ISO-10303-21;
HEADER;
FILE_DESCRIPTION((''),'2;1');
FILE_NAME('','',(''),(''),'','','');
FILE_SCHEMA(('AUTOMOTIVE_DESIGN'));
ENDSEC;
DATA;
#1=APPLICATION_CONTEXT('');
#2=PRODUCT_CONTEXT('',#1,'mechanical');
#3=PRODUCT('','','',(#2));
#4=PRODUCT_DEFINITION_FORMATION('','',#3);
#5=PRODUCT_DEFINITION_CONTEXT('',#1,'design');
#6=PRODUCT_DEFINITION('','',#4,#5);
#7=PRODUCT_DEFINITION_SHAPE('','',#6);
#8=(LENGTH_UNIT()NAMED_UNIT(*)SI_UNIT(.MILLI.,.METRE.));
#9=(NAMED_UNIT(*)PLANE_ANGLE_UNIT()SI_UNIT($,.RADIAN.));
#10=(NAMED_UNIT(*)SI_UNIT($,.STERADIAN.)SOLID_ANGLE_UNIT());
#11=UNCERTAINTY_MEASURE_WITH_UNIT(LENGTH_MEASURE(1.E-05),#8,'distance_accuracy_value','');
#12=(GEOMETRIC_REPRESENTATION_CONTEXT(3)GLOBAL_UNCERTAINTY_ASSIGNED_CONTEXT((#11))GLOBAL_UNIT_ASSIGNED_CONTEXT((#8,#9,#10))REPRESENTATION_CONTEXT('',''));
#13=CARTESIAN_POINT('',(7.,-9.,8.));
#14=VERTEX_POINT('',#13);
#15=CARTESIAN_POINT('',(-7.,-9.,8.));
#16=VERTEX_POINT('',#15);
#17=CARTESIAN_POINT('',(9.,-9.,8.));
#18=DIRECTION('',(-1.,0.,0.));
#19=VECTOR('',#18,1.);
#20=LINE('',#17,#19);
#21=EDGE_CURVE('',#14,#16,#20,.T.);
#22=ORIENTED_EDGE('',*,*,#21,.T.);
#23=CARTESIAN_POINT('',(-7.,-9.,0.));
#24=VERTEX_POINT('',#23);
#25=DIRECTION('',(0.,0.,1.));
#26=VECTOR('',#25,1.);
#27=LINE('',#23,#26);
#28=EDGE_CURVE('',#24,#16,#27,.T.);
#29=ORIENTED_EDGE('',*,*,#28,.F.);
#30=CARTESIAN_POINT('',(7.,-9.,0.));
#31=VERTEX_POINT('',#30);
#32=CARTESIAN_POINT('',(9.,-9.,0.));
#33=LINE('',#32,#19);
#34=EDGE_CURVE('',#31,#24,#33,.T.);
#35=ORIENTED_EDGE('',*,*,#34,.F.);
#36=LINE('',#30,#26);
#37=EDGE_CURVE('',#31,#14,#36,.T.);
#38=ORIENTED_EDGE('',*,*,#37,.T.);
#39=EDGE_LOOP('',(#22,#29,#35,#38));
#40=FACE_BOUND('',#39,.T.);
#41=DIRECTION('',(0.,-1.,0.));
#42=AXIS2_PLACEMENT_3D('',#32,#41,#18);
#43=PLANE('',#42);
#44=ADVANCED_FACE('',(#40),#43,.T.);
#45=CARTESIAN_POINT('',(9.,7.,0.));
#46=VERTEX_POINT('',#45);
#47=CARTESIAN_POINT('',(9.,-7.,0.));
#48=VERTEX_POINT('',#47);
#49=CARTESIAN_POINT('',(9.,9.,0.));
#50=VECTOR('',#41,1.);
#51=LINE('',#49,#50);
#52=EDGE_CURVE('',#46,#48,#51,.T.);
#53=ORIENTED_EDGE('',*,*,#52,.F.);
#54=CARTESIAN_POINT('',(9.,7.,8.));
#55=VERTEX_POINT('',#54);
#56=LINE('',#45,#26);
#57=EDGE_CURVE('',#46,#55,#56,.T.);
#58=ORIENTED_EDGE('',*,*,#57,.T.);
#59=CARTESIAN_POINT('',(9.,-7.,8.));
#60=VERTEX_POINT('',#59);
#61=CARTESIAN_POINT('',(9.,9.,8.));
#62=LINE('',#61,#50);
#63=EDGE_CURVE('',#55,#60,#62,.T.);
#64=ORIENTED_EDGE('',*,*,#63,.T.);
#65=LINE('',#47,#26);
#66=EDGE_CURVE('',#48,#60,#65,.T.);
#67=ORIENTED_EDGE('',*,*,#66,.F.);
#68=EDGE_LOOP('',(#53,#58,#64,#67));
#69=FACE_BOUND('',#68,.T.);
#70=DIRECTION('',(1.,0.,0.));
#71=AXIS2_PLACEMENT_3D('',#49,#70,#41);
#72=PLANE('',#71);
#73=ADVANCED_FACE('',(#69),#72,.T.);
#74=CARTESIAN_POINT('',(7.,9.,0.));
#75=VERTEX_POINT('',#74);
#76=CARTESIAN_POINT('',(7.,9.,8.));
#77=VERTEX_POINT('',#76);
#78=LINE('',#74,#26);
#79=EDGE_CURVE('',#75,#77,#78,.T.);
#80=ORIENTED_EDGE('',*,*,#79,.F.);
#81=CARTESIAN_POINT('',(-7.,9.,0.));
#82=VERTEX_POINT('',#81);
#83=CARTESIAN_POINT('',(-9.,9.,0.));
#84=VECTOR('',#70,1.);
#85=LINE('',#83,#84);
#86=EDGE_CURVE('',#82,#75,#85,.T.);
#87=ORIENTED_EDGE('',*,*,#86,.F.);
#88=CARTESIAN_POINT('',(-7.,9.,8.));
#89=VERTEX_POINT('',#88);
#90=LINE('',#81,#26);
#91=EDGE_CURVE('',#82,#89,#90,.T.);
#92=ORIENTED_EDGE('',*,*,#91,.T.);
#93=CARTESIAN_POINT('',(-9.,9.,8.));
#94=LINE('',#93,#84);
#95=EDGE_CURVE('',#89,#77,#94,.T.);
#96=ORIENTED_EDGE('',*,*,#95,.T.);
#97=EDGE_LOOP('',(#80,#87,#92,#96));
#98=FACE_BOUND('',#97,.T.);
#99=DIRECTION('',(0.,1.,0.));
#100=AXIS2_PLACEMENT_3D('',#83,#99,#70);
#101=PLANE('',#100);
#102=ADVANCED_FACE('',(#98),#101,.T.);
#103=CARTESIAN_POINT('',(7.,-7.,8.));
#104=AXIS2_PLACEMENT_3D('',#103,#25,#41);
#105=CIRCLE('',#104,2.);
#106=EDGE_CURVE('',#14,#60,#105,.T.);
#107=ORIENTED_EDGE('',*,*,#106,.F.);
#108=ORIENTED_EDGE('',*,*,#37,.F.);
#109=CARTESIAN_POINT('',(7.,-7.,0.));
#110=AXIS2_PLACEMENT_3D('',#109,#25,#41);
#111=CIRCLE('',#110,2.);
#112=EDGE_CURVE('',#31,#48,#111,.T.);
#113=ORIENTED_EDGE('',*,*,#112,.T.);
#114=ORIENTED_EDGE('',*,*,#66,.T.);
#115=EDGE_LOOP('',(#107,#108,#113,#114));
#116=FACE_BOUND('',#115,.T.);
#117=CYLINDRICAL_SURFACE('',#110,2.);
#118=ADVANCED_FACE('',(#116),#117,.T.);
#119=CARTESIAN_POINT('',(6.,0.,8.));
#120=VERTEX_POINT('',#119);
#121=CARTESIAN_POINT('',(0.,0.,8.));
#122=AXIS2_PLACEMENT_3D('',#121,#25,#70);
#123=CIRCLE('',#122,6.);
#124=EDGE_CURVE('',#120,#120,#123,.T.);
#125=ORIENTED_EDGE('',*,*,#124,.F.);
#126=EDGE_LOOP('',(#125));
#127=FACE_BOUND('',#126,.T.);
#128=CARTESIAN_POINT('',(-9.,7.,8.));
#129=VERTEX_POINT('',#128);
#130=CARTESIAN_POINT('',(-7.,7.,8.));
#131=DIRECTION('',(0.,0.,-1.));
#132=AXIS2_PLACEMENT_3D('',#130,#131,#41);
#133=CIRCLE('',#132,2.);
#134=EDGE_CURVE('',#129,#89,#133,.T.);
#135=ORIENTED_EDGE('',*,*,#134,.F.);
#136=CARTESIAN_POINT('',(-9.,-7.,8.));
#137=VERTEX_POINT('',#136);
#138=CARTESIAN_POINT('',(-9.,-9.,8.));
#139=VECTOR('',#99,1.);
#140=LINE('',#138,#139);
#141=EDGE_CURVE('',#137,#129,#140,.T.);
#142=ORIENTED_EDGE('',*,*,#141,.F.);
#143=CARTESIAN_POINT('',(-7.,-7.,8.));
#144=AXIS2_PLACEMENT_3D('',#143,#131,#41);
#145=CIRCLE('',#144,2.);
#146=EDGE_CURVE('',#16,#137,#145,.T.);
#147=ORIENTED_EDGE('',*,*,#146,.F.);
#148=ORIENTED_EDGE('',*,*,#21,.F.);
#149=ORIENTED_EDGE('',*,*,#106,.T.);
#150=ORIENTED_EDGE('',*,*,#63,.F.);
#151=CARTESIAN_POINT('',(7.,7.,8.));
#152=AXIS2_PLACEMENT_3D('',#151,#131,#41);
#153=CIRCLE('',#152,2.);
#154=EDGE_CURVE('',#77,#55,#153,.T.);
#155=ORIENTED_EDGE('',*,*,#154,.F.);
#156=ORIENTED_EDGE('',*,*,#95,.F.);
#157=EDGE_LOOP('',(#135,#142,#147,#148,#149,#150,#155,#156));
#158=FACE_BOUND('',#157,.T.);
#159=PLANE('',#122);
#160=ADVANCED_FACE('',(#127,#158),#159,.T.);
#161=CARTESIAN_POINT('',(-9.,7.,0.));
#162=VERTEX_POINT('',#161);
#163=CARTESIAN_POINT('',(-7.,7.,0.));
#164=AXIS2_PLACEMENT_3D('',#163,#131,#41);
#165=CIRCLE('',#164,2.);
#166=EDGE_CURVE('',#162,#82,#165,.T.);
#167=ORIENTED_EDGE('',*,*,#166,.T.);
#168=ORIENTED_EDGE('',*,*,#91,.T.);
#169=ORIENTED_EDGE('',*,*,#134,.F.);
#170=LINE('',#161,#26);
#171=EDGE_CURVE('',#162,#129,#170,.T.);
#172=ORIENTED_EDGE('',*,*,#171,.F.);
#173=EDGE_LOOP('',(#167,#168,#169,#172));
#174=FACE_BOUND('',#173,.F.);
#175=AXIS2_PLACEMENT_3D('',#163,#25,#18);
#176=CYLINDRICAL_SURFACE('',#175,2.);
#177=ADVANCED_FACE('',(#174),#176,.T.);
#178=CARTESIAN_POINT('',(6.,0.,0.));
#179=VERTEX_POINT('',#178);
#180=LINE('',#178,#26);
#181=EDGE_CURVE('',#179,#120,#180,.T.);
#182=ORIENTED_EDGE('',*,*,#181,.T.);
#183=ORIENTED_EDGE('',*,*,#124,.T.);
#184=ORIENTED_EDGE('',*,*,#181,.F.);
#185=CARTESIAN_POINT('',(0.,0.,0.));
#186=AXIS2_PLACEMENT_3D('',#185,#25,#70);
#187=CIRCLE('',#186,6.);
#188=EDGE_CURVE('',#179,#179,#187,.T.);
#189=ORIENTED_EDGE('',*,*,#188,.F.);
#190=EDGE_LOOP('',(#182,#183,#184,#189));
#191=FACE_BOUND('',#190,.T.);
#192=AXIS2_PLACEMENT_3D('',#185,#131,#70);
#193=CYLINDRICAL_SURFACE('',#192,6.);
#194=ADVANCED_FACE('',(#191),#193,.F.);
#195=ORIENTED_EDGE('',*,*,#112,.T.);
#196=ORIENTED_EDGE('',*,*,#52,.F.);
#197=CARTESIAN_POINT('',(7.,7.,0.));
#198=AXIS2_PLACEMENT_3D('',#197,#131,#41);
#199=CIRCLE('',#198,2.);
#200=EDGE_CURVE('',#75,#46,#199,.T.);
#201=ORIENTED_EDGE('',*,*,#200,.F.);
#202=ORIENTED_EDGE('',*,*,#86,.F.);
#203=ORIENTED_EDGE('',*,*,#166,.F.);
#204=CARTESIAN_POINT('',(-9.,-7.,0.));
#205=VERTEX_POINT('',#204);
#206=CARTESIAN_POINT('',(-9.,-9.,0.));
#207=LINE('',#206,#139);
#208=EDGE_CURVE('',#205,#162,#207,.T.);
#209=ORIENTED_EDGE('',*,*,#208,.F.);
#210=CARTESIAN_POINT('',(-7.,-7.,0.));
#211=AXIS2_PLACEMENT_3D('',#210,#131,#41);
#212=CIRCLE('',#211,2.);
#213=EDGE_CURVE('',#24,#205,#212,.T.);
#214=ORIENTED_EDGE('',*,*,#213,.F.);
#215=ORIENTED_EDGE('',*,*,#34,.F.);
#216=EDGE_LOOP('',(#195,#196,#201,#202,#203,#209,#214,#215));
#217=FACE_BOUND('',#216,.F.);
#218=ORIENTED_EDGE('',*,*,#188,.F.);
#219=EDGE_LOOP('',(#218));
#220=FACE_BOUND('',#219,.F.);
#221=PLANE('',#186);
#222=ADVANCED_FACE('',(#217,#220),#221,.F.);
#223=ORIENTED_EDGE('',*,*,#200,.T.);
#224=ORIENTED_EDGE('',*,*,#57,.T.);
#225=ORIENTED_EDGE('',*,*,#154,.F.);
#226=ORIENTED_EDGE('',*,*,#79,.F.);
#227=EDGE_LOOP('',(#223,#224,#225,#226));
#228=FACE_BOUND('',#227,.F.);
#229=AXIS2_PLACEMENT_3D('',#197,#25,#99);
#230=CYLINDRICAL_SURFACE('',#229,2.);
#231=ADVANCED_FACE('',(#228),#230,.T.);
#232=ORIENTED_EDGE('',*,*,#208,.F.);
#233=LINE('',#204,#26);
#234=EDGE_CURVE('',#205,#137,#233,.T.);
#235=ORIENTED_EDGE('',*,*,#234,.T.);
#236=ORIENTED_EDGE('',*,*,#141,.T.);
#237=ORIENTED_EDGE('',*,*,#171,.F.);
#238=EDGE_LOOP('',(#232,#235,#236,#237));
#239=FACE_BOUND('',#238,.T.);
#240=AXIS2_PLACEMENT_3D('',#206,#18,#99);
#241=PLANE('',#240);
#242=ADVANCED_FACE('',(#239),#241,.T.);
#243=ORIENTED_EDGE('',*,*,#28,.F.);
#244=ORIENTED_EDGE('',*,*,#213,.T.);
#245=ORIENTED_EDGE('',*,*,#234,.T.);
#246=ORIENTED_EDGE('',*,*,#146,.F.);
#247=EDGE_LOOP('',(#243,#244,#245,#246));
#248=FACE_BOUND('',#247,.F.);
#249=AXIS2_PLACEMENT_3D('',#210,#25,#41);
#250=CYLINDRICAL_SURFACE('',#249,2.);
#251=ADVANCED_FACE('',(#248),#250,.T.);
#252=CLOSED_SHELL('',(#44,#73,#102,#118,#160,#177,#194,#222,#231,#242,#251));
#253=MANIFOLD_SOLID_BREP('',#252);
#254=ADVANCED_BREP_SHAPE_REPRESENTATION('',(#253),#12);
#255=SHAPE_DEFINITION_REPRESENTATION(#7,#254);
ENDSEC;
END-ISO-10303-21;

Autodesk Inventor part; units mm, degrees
ref_plane "YZ Plane" through (0, 0, 0) normal (1, 0, 0) x (0, 1, 0)
ref_plane "XZ Plane" through (0, 0, 0) normal (0, 1, 0) x (-1, 0, 0)
ref_plane "XY Plane" through (0, 0, 0) normal (0, 0, 1) x (1, 0, 0)
sketch "Skizze1" plane through (0, 0, 0) normal (0, 0, 1) x (1, 0, 0)
  line L0 (9, -9) -> (-9, -9)
  line L1 (-9, -9) -> (-9, 9)
  line L2 (-9, 9) -> (9, 9)
  line L3 (9, 9) -> (9, -9)
  line L4 (9, -9) -> (-9, 9) construction
  line L5 (-9, -9) -> (9, 9) construction
  circle A0 centre (0, 0) radius 6
  dimension "d0" = 18
  dimension "d1" = 18
  dimension "d2" = 12
extrude "Extrusion1" add sketch "Skizze1" along normal blind 8
fillet "Rundung1" radius 2 4 edges at (9, 9, 4) (-9, 9, 4) (9, -9, 4) (-9, -9, 4)
properties part number "00_CCTV_M12_VCM"
